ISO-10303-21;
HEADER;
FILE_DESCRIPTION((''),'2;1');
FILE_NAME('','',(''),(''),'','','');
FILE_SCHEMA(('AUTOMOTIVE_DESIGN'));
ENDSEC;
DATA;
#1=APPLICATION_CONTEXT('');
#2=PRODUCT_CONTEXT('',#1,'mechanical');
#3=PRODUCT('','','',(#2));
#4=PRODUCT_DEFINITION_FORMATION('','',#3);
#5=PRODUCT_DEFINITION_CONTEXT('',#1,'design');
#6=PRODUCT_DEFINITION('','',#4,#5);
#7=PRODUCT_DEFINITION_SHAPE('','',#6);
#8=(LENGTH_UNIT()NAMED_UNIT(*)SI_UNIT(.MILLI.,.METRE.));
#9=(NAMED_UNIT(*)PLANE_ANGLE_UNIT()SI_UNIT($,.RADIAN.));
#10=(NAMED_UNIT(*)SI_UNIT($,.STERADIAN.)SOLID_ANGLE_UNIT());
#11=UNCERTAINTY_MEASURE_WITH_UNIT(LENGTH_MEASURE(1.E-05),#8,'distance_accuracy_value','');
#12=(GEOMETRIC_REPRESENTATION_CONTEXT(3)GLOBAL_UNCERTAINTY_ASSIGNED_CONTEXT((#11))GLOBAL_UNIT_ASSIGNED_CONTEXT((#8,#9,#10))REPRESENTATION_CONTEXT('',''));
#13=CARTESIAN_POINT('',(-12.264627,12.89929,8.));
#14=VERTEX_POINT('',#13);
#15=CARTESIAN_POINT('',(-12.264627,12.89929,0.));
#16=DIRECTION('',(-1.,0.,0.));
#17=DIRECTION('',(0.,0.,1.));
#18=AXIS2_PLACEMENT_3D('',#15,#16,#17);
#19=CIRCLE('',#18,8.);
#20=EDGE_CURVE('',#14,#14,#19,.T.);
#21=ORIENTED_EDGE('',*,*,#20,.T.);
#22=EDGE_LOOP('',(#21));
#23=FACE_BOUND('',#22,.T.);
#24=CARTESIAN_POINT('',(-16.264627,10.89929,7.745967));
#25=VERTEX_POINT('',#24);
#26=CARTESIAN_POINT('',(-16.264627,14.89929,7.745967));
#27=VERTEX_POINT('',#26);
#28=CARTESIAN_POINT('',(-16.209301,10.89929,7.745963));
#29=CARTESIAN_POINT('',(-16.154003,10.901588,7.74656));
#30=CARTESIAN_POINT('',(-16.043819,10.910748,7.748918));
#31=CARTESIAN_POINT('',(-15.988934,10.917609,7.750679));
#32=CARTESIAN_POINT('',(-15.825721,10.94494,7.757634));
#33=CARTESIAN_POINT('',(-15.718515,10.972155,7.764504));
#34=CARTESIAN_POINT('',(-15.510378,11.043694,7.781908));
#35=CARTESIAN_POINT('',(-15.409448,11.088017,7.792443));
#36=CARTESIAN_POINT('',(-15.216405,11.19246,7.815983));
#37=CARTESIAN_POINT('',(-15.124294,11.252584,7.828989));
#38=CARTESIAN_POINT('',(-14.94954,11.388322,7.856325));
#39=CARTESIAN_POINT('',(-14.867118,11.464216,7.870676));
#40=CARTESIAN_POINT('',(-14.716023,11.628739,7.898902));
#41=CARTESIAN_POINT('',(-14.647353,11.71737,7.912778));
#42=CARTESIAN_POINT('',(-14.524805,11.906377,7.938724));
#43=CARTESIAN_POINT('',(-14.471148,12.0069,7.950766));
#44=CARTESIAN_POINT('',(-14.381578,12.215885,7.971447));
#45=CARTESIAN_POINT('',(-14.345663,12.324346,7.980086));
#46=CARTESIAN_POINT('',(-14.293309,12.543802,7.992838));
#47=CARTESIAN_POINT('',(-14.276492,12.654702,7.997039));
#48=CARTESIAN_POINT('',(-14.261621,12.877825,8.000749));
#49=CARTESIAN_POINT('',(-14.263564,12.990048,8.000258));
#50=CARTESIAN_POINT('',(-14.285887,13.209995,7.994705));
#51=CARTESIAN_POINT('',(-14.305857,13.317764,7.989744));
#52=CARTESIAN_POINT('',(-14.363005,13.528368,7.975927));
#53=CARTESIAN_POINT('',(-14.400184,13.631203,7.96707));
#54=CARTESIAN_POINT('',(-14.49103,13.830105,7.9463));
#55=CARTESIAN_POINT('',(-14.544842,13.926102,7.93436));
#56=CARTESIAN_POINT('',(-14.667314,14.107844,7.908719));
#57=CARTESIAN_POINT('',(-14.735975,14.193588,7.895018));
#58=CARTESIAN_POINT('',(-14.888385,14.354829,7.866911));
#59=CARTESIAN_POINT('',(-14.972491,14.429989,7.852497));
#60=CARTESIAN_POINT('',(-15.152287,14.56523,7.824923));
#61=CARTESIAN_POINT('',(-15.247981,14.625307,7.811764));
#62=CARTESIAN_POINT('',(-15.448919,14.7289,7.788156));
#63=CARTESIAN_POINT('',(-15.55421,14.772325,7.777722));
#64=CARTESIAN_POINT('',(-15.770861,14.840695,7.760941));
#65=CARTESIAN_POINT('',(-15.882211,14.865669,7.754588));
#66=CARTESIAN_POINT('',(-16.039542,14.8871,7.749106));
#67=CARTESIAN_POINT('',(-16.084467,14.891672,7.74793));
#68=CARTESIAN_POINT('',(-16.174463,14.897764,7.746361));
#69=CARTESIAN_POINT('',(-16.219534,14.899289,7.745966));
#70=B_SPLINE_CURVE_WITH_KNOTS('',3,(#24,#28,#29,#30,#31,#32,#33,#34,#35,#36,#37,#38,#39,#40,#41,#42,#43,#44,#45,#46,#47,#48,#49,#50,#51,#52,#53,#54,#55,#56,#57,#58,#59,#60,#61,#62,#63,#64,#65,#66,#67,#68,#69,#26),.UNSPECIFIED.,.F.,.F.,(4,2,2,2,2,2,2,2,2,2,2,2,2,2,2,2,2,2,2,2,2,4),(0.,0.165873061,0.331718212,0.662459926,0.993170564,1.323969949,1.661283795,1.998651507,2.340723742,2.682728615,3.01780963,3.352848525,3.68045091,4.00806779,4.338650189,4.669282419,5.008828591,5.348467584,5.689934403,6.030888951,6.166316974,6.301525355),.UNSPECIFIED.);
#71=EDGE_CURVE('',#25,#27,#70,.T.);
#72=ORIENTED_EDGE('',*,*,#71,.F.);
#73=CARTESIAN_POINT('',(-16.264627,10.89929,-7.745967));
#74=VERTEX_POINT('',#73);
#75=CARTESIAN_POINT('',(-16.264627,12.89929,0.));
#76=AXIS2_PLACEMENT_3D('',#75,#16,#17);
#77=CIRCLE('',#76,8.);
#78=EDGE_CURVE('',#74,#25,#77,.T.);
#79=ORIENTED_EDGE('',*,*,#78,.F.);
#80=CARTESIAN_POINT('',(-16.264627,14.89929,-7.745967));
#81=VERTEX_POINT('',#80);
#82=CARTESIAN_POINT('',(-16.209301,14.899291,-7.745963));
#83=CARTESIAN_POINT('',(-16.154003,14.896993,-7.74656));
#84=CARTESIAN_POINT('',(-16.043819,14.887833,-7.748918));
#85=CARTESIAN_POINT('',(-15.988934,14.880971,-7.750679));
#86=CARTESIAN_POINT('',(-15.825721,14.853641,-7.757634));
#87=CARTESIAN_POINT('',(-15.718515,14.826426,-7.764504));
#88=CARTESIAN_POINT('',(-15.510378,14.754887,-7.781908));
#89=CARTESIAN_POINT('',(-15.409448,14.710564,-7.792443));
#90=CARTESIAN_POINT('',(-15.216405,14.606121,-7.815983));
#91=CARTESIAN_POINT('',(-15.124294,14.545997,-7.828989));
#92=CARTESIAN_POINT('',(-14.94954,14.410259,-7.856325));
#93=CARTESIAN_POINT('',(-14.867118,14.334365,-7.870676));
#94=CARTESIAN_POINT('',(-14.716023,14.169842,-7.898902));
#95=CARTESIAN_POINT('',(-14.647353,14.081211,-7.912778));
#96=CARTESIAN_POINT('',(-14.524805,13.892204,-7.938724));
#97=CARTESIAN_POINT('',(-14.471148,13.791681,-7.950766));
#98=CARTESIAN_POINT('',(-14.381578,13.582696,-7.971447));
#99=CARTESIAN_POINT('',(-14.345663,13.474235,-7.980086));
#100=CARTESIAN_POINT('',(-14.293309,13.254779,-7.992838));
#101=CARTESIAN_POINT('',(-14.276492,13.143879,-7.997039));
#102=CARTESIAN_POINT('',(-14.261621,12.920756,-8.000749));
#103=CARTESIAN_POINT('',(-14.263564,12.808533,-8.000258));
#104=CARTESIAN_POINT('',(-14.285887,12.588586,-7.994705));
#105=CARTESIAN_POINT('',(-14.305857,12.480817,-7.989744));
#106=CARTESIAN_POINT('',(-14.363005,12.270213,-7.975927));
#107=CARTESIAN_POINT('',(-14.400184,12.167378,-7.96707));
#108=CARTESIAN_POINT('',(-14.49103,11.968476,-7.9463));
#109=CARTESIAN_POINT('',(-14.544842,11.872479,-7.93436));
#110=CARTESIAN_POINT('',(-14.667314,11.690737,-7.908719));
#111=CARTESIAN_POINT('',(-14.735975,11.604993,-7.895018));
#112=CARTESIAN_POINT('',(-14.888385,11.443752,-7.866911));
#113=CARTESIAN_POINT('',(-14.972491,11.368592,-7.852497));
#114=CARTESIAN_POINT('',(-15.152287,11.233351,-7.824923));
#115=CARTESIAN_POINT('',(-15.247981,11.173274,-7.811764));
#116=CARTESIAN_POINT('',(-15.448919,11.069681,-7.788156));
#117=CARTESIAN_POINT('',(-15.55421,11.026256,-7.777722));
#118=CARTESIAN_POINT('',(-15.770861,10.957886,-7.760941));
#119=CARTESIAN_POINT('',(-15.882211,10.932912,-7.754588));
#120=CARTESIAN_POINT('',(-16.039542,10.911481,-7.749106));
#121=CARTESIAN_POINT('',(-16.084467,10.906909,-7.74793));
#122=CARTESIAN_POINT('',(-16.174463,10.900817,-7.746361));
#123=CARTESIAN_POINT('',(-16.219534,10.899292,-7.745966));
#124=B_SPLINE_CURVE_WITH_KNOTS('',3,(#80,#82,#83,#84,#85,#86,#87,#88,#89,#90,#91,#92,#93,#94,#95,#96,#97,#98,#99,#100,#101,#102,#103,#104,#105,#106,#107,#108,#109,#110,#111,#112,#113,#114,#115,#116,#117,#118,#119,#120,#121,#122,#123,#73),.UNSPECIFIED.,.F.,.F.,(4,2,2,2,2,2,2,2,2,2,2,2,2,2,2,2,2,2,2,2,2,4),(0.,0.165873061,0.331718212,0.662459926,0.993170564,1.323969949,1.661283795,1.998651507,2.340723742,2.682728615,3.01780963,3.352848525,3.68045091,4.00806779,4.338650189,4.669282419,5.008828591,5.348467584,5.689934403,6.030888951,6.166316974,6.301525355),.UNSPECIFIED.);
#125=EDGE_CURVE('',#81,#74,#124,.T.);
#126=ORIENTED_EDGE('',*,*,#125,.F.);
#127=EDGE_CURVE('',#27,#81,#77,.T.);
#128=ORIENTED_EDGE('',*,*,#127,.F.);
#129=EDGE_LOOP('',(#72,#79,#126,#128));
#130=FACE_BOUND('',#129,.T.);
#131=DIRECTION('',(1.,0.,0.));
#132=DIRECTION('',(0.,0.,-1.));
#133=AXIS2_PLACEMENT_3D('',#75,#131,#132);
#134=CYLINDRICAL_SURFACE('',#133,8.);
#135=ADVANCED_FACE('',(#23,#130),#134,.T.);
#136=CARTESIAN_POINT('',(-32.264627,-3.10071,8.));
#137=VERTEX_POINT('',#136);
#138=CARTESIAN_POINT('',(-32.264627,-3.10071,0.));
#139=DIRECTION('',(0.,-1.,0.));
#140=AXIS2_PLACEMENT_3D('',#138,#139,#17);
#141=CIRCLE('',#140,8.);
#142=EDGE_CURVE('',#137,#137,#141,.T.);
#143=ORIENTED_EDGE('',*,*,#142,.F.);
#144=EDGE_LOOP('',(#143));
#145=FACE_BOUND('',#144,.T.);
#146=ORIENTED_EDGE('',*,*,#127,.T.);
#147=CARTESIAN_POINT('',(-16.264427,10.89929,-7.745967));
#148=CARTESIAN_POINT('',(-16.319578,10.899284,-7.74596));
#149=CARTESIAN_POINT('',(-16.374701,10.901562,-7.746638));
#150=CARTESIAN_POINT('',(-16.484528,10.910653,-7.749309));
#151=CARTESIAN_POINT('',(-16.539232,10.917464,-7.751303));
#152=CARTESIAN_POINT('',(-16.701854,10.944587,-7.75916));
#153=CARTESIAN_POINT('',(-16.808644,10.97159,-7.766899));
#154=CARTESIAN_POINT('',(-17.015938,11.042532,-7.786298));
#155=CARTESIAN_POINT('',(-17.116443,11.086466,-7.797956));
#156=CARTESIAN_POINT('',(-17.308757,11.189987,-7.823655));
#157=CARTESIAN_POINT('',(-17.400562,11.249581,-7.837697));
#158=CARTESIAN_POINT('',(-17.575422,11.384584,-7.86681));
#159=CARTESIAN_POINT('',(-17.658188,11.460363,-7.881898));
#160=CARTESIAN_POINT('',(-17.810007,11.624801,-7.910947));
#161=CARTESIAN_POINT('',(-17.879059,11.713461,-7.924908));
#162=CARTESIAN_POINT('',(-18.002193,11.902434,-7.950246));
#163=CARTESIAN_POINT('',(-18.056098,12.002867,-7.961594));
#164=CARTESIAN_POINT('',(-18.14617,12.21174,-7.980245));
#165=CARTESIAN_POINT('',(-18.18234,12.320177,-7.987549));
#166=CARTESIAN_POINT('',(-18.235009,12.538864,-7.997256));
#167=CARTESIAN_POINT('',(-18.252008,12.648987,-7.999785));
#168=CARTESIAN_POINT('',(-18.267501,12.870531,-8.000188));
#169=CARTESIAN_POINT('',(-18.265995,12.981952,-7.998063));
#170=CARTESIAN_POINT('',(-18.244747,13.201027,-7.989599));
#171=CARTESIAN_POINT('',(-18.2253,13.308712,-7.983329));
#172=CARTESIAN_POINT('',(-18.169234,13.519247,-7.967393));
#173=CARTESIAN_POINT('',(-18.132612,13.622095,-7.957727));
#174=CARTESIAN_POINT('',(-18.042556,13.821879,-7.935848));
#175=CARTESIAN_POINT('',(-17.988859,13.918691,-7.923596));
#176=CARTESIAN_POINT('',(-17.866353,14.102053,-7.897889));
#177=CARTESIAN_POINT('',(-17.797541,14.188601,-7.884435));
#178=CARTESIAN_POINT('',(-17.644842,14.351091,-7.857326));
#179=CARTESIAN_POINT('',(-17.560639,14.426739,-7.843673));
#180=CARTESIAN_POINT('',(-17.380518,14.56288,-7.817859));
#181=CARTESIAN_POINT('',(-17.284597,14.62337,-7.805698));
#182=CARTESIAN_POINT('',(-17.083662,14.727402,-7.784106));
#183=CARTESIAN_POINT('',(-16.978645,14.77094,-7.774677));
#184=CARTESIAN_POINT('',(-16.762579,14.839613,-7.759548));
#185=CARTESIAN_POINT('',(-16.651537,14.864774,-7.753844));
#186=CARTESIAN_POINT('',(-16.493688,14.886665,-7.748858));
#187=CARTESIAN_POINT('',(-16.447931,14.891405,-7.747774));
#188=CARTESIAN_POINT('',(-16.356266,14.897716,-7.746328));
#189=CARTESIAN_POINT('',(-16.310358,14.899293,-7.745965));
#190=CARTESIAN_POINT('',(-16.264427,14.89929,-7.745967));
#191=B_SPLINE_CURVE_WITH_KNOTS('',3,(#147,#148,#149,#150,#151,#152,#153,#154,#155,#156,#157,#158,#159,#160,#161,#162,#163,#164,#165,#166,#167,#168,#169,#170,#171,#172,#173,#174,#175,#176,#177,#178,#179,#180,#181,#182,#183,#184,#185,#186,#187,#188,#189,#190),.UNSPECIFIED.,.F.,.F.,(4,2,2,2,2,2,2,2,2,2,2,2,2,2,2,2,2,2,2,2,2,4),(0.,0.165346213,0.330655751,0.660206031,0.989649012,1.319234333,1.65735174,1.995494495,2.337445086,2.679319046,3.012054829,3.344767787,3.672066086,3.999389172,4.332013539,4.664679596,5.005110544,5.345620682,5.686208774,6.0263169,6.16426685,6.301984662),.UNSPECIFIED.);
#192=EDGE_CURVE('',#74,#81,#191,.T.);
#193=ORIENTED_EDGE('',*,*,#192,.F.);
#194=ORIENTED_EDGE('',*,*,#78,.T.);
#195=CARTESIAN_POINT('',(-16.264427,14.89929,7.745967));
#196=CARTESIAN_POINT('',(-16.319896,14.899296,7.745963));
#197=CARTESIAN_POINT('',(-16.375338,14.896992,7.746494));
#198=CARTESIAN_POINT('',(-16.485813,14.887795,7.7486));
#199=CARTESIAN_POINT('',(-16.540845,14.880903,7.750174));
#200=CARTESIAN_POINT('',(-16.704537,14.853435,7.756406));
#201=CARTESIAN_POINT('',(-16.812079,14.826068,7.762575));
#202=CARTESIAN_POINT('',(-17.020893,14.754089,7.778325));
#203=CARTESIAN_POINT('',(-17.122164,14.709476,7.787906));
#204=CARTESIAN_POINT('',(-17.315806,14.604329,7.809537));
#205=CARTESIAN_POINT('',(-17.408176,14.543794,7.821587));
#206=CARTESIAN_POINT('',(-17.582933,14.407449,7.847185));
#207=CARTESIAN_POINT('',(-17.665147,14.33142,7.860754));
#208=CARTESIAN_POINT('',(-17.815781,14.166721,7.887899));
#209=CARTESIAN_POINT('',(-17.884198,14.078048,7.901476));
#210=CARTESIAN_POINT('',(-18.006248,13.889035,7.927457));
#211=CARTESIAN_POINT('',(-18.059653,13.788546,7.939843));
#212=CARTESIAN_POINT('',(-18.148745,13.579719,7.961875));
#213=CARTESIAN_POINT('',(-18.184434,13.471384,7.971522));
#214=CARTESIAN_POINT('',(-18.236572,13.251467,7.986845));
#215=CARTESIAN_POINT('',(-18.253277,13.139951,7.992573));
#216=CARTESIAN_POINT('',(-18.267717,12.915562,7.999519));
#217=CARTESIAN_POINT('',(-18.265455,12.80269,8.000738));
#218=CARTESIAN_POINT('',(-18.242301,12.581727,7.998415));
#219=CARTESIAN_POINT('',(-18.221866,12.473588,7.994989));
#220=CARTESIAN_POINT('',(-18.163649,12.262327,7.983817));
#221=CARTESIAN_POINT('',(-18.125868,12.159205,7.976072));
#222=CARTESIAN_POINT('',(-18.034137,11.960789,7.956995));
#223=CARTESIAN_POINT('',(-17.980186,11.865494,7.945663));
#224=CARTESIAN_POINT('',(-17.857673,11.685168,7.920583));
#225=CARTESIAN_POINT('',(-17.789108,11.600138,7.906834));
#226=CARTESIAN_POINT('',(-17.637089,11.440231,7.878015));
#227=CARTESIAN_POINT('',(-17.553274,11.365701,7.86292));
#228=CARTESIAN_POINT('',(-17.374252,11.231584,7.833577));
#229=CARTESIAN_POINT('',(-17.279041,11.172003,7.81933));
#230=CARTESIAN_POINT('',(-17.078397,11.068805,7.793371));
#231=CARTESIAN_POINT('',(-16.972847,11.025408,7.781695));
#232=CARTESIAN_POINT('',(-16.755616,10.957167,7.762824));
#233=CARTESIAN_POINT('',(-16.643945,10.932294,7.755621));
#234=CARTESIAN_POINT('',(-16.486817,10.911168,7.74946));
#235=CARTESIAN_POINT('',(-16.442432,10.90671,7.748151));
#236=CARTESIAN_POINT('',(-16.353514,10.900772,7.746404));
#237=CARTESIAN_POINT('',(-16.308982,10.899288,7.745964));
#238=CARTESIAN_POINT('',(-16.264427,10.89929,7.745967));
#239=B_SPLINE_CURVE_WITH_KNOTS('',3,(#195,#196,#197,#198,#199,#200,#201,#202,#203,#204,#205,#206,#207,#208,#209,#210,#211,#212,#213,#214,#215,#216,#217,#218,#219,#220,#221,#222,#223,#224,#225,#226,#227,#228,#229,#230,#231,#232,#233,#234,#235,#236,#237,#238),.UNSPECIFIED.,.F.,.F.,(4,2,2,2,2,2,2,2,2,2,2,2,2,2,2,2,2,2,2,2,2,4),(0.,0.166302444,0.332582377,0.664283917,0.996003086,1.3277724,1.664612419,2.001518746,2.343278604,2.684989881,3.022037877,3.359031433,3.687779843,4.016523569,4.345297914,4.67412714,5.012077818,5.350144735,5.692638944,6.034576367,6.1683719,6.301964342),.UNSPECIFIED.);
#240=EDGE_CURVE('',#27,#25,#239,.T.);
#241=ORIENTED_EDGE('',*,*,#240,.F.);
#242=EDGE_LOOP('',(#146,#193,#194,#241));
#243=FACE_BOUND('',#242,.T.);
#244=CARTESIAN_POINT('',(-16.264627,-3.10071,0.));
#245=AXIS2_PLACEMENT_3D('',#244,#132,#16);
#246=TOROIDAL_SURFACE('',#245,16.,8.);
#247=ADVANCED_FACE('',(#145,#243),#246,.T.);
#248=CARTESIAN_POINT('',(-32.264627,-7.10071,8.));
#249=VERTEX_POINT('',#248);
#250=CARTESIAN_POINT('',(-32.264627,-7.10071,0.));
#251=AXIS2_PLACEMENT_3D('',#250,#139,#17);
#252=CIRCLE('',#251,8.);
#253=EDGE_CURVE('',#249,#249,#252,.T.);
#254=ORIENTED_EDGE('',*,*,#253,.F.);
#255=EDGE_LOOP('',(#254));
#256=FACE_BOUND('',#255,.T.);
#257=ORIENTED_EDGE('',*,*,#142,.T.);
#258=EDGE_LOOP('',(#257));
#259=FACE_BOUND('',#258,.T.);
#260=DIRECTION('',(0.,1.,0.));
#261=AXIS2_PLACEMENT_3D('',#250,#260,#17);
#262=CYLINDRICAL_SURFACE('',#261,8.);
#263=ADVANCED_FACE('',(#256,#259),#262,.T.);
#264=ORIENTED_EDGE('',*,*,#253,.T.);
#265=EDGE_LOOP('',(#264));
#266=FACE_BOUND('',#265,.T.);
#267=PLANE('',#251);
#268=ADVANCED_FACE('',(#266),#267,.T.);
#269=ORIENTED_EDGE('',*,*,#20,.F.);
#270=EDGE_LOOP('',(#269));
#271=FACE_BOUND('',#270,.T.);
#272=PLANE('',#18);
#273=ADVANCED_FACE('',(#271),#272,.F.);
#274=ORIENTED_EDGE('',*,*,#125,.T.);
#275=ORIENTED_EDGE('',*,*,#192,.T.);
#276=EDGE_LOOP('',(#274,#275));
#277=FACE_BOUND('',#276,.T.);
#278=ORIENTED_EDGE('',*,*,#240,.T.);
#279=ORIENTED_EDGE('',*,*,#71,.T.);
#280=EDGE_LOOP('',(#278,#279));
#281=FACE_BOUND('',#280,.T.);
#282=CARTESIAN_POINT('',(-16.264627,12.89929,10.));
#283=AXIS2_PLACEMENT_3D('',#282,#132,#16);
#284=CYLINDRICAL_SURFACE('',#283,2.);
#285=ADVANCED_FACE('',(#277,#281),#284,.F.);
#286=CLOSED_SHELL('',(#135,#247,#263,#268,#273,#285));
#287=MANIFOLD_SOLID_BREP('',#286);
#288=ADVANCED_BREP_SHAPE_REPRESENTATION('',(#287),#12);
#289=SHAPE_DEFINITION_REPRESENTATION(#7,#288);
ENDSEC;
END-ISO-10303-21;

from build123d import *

# Parameters (mm, degrees)
SWEEP_2_PROFILE_R        = 8
CUT_EXTRUDE_3_DEPTH      = 10
CUT_EXTRUDE_3_DEPTH_BACK = 10
SKETCH_19_R              = 2


with BuildPart() as part:
    # 扫描2: sweep along a path in 草图1
    with BuildLine(Plane.XY) as sweep_2_path:
        Line((-32.264627437, -7.100709513), (-32.264627437, -3.100709513))
        ThreePointArc((-32.264627437, -3.100709513), (-27.578335936, 8.212998986), (-16.264627437, 12.899290487))
        Line((-16.264627437, 12.899290487), (-12.264627437, 12.899290487))
    # 扫描2 profile (on start of the path) → 扫描2 (sweep)
    with BuildSketch(Plane(origin=(-32.264627437, -7.100709513, 0), x_dir=(0, 0, 1), z_dir=(0, 1, 0))):
        Circle(SWEEP_2_PROFILE_R)
    sweep(path=sweep_2_path.line)

    # 草图19 → 切除-拉伸3 (cut, two sides: drawn at the far end of the back side and taken through both)
    with BuildSketch(Plane.XY.offset(-CUT_EXTRUDE_3_DEPTH_BACK)):
        with Locations((-16.264627437, 12.899290487)):
            Circle(SKETCH_19_R)
    extrude(amount=CUT_EXTRUDE_3_DEPTH + CUT_EXTRUDE_3_DEPTH_BACK, mode=Mode.SUBTRACT)


solid = part.part
